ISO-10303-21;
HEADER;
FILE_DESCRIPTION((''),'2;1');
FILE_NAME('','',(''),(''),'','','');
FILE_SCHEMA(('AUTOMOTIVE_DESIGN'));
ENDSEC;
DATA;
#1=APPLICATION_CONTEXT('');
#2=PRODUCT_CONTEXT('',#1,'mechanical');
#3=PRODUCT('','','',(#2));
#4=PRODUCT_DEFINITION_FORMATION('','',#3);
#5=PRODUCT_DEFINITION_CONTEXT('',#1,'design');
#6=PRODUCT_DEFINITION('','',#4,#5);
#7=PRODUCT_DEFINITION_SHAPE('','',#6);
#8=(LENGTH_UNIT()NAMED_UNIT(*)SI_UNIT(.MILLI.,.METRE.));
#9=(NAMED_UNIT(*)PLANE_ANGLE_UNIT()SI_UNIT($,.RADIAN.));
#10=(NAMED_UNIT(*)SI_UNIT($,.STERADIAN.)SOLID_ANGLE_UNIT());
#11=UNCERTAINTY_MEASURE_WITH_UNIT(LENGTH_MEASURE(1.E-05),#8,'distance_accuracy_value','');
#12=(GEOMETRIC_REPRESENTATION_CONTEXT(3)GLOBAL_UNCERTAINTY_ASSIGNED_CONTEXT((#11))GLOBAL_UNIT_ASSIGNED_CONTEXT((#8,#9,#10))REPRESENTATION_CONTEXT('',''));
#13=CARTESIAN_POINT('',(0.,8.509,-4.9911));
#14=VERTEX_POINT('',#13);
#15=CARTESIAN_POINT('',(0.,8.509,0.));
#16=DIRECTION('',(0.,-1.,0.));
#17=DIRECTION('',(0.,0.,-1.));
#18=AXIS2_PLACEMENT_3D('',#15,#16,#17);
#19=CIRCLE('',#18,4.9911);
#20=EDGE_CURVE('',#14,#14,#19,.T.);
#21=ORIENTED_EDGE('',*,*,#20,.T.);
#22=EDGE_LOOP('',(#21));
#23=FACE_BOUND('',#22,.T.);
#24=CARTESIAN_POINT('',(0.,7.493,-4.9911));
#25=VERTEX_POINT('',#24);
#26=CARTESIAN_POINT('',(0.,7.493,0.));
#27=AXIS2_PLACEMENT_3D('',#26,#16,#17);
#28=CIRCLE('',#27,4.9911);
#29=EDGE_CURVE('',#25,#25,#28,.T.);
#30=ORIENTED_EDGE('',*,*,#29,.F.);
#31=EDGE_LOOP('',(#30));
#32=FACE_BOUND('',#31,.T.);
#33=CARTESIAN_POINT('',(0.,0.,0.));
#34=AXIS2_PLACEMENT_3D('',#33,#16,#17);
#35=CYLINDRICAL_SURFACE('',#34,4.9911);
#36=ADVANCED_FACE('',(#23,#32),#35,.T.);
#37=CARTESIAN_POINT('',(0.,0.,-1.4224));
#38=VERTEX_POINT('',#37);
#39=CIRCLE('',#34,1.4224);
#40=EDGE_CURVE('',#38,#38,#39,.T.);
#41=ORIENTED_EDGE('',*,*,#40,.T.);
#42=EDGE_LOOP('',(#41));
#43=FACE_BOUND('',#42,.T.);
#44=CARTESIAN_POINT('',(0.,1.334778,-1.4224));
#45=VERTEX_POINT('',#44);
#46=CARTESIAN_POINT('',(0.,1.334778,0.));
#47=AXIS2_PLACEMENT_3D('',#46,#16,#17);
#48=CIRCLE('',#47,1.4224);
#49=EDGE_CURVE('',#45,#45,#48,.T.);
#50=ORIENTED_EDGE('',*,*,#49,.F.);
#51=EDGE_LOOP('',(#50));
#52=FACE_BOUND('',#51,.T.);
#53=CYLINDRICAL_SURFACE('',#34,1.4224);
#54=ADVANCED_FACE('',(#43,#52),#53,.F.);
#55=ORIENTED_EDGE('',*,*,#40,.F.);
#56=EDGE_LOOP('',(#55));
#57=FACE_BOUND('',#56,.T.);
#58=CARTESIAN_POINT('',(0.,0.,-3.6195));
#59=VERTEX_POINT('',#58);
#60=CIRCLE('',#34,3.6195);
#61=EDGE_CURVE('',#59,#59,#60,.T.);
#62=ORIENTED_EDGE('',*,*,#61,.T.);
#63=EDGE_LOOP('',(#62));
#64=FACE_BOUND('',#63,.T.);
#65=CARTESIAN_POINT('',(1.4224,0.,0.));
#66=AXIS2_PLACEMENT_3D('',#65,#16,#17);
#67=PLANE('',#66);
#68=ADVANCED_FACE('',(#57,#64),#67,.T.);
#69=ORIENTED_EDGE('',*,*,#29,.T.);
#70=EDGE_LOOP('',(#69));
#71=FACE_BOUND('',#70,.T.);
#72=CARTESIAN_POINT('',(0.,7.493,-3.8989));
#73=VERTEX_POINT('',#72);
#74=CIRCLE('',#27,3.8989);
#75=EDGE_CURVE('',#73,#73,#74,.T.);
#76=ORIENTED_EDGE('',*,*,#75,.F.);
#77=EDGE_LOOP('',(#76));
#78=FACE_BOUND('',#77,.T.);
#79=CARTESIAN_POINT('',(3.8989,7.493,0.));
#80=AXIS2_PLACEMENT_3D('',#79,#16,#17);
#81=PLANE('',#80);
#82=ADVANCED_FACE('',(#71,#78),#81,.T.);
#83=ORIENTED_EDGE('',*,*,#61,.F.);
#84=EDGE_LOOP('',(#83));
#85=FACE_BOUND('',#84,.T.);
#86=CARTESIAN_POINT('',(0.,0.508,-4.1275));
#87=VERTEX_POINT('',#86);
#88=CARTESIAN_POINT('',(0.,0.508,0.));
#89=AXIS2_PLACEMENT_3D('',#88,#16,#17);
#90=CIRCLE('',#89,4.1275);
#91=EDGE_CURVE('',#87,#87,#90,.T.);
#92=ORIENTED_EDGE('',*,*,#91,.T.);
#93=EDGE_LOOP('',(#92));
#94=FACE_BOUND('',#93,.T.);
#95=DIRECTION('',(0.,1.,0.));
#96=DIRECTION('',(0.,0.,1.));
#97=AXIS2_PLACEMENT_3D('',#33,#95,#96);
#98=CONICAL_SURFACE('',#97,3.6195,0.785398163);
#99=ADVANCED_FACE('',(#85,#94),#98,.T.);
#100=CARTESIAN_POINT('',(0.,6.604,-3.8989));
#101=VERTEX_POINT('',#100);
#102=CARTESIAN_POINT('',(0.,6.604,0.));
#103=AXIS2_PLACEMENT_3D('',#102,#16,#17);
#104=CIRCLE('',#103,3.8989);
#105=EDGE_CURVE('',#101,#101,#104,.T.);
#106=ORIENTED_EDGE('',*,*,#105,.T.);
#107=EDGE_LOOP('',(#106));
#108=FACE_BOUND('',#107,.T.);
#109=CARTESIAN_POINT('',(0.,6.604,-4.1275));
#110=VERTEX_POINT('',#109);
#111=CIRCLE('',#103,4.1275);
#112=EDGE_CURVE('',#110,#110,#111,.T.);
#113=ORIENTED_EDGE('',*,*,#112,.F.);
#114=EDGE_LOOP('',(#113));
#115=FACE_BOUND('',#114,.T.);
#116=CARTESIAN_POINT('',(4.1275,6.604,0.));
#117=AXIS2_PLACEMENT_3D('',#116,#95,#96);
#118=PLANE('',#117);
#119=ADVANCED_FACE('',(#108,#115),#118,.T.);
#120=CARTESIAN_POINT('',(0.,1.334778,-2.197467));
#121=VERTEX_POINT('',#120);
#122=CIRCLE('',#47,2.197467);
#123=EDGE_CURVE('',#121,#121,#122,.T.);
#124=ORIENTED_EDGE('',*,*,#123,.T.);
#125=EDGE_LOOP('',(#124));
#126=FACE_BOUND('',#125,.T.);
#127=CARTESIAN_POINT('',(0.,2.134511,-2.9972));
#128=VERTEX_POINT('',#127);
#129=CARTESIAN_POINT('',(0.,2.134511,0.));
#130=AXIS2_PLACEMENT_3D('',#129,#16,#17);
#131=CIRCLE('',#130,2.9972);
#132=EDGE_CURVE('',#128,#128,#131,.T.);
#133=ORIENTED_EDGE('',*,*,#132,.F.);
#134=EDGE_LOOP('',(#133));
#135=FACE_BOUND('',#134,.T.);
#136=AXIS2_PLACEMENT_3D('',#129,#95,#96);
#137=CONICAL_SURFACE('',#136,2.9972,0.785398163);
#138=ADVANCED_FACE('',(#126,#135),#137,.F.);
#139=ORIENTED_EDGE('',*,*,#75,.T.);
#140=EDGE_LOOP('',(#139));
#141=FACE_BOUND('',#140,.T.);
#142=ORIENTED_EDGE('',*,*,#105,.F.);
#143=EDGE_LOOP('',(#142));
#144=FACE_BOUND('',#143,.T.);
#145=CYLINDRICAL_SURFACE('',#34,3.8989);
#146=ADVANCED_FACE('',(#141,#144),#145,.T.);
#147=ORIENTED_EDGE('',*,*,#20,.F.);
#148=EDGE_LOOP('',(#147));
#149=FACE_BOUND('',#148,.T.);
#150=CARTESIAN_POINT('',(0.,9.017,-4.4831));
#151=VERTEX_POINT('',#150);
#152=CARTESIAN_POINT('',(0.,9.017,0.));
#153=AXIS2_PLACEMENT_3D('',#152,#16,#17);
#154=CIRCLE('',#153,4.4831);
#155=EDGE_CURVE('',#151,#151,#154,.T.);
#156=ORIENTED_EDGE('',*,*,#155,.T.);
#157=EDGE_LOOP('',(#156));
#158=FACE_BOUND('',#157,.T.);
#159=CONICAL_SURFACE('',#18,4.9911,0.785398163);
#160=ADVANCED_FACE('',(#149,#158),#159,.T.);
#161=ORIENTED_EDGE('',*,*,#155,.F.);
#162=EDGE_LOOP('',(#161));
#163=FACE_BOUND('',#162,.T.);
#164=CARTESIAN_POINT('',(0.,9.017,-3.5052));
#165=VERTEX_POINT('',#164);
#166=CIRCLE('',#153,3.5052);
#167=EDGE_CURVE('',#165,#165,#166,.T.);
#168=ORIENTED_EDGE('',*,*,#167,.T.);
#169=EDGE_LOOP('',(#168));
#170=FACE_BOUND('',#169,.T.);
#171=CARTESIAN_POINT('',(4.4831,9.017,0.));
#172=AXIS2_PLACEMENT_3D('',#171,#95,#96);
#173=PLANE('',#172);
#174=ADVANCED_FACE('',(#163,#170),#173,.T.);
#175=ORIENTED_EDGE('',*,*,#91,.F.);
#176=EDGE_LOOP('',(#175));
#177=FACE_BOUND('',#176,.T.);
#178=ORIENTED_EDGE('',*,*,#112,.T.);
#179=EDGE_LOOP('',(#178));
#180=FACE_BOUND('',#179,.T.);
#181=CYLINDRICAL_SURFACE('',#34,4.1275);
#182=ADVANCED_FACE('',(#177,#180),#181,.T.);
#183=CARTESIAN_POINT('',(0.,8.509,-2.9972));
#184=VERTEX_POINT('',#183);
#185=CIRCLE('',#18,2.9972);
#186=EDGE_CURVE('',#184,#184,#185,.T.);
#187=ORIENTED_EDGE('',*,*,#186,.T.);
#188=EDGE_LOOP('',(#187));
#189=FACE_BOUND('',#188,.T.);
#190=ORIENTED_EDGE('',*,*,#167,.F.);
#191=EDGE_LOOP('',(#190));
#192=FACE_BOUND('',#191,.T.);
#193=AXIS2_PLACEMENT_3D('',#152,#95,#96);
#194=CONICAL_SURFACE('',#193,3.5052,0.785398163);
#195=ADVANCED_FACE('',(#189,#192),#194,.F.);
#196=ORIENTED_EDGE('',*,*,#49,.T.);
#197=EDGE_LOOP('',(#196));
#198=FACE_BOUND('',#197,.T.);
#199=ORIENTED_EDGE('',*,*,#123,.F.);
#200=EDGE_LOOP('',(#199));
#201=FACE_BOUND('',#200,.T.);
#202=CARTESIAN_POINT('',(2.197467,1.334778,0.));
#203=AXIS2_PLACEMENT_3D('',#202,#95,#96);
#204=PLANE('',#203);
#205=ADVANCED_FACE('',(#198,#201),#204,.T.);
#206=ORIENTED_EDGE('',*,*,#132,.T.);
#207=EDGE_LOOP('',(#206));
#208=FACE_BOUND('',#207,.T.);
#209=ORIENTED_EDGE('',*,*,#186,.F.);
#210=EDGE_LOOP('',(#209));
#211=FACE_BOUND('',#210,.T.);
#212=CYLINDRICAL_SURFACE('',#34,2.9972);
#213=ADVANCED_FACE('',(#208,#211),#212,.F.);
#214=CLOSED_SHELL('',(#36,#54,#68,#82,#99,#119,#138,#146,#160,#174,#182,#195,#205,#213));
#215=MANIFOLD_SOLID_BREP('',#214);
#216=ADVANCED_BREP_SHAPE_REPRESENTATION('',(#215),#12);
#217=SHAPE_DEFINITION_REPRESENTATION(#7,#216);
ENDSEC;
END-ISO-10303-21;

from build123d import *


with BuildPart() as part:
    # Sketch1 → Revolve1 (revolve)
    with BuildSketch(Plane.XY, mode=Mode.PRIVATE) as revolve1_sk:
        Polygon((1.4224, 0), (3.6195, 0), (4.1275, 0.508), (4.1275, 6.604), (3.8989, 6.604), (3.8989, 7.493), (4.9911, 7.493), (4.9911, 8.509), (4.4831, 9.017), (3.5052, 9.017), (2.9972, 8.509), (2.9972, 2.134510809), (2.197467426, 1.334778236), (1.4224, 1.334778236), align=None)
    revolve(revolve1_sk.sketch.rotate(Axis((0, 0, 0), (0, 1, 0)), 90), axis=Axis((0, 0, 0), (0, 1, 0)))


solid = part.part
